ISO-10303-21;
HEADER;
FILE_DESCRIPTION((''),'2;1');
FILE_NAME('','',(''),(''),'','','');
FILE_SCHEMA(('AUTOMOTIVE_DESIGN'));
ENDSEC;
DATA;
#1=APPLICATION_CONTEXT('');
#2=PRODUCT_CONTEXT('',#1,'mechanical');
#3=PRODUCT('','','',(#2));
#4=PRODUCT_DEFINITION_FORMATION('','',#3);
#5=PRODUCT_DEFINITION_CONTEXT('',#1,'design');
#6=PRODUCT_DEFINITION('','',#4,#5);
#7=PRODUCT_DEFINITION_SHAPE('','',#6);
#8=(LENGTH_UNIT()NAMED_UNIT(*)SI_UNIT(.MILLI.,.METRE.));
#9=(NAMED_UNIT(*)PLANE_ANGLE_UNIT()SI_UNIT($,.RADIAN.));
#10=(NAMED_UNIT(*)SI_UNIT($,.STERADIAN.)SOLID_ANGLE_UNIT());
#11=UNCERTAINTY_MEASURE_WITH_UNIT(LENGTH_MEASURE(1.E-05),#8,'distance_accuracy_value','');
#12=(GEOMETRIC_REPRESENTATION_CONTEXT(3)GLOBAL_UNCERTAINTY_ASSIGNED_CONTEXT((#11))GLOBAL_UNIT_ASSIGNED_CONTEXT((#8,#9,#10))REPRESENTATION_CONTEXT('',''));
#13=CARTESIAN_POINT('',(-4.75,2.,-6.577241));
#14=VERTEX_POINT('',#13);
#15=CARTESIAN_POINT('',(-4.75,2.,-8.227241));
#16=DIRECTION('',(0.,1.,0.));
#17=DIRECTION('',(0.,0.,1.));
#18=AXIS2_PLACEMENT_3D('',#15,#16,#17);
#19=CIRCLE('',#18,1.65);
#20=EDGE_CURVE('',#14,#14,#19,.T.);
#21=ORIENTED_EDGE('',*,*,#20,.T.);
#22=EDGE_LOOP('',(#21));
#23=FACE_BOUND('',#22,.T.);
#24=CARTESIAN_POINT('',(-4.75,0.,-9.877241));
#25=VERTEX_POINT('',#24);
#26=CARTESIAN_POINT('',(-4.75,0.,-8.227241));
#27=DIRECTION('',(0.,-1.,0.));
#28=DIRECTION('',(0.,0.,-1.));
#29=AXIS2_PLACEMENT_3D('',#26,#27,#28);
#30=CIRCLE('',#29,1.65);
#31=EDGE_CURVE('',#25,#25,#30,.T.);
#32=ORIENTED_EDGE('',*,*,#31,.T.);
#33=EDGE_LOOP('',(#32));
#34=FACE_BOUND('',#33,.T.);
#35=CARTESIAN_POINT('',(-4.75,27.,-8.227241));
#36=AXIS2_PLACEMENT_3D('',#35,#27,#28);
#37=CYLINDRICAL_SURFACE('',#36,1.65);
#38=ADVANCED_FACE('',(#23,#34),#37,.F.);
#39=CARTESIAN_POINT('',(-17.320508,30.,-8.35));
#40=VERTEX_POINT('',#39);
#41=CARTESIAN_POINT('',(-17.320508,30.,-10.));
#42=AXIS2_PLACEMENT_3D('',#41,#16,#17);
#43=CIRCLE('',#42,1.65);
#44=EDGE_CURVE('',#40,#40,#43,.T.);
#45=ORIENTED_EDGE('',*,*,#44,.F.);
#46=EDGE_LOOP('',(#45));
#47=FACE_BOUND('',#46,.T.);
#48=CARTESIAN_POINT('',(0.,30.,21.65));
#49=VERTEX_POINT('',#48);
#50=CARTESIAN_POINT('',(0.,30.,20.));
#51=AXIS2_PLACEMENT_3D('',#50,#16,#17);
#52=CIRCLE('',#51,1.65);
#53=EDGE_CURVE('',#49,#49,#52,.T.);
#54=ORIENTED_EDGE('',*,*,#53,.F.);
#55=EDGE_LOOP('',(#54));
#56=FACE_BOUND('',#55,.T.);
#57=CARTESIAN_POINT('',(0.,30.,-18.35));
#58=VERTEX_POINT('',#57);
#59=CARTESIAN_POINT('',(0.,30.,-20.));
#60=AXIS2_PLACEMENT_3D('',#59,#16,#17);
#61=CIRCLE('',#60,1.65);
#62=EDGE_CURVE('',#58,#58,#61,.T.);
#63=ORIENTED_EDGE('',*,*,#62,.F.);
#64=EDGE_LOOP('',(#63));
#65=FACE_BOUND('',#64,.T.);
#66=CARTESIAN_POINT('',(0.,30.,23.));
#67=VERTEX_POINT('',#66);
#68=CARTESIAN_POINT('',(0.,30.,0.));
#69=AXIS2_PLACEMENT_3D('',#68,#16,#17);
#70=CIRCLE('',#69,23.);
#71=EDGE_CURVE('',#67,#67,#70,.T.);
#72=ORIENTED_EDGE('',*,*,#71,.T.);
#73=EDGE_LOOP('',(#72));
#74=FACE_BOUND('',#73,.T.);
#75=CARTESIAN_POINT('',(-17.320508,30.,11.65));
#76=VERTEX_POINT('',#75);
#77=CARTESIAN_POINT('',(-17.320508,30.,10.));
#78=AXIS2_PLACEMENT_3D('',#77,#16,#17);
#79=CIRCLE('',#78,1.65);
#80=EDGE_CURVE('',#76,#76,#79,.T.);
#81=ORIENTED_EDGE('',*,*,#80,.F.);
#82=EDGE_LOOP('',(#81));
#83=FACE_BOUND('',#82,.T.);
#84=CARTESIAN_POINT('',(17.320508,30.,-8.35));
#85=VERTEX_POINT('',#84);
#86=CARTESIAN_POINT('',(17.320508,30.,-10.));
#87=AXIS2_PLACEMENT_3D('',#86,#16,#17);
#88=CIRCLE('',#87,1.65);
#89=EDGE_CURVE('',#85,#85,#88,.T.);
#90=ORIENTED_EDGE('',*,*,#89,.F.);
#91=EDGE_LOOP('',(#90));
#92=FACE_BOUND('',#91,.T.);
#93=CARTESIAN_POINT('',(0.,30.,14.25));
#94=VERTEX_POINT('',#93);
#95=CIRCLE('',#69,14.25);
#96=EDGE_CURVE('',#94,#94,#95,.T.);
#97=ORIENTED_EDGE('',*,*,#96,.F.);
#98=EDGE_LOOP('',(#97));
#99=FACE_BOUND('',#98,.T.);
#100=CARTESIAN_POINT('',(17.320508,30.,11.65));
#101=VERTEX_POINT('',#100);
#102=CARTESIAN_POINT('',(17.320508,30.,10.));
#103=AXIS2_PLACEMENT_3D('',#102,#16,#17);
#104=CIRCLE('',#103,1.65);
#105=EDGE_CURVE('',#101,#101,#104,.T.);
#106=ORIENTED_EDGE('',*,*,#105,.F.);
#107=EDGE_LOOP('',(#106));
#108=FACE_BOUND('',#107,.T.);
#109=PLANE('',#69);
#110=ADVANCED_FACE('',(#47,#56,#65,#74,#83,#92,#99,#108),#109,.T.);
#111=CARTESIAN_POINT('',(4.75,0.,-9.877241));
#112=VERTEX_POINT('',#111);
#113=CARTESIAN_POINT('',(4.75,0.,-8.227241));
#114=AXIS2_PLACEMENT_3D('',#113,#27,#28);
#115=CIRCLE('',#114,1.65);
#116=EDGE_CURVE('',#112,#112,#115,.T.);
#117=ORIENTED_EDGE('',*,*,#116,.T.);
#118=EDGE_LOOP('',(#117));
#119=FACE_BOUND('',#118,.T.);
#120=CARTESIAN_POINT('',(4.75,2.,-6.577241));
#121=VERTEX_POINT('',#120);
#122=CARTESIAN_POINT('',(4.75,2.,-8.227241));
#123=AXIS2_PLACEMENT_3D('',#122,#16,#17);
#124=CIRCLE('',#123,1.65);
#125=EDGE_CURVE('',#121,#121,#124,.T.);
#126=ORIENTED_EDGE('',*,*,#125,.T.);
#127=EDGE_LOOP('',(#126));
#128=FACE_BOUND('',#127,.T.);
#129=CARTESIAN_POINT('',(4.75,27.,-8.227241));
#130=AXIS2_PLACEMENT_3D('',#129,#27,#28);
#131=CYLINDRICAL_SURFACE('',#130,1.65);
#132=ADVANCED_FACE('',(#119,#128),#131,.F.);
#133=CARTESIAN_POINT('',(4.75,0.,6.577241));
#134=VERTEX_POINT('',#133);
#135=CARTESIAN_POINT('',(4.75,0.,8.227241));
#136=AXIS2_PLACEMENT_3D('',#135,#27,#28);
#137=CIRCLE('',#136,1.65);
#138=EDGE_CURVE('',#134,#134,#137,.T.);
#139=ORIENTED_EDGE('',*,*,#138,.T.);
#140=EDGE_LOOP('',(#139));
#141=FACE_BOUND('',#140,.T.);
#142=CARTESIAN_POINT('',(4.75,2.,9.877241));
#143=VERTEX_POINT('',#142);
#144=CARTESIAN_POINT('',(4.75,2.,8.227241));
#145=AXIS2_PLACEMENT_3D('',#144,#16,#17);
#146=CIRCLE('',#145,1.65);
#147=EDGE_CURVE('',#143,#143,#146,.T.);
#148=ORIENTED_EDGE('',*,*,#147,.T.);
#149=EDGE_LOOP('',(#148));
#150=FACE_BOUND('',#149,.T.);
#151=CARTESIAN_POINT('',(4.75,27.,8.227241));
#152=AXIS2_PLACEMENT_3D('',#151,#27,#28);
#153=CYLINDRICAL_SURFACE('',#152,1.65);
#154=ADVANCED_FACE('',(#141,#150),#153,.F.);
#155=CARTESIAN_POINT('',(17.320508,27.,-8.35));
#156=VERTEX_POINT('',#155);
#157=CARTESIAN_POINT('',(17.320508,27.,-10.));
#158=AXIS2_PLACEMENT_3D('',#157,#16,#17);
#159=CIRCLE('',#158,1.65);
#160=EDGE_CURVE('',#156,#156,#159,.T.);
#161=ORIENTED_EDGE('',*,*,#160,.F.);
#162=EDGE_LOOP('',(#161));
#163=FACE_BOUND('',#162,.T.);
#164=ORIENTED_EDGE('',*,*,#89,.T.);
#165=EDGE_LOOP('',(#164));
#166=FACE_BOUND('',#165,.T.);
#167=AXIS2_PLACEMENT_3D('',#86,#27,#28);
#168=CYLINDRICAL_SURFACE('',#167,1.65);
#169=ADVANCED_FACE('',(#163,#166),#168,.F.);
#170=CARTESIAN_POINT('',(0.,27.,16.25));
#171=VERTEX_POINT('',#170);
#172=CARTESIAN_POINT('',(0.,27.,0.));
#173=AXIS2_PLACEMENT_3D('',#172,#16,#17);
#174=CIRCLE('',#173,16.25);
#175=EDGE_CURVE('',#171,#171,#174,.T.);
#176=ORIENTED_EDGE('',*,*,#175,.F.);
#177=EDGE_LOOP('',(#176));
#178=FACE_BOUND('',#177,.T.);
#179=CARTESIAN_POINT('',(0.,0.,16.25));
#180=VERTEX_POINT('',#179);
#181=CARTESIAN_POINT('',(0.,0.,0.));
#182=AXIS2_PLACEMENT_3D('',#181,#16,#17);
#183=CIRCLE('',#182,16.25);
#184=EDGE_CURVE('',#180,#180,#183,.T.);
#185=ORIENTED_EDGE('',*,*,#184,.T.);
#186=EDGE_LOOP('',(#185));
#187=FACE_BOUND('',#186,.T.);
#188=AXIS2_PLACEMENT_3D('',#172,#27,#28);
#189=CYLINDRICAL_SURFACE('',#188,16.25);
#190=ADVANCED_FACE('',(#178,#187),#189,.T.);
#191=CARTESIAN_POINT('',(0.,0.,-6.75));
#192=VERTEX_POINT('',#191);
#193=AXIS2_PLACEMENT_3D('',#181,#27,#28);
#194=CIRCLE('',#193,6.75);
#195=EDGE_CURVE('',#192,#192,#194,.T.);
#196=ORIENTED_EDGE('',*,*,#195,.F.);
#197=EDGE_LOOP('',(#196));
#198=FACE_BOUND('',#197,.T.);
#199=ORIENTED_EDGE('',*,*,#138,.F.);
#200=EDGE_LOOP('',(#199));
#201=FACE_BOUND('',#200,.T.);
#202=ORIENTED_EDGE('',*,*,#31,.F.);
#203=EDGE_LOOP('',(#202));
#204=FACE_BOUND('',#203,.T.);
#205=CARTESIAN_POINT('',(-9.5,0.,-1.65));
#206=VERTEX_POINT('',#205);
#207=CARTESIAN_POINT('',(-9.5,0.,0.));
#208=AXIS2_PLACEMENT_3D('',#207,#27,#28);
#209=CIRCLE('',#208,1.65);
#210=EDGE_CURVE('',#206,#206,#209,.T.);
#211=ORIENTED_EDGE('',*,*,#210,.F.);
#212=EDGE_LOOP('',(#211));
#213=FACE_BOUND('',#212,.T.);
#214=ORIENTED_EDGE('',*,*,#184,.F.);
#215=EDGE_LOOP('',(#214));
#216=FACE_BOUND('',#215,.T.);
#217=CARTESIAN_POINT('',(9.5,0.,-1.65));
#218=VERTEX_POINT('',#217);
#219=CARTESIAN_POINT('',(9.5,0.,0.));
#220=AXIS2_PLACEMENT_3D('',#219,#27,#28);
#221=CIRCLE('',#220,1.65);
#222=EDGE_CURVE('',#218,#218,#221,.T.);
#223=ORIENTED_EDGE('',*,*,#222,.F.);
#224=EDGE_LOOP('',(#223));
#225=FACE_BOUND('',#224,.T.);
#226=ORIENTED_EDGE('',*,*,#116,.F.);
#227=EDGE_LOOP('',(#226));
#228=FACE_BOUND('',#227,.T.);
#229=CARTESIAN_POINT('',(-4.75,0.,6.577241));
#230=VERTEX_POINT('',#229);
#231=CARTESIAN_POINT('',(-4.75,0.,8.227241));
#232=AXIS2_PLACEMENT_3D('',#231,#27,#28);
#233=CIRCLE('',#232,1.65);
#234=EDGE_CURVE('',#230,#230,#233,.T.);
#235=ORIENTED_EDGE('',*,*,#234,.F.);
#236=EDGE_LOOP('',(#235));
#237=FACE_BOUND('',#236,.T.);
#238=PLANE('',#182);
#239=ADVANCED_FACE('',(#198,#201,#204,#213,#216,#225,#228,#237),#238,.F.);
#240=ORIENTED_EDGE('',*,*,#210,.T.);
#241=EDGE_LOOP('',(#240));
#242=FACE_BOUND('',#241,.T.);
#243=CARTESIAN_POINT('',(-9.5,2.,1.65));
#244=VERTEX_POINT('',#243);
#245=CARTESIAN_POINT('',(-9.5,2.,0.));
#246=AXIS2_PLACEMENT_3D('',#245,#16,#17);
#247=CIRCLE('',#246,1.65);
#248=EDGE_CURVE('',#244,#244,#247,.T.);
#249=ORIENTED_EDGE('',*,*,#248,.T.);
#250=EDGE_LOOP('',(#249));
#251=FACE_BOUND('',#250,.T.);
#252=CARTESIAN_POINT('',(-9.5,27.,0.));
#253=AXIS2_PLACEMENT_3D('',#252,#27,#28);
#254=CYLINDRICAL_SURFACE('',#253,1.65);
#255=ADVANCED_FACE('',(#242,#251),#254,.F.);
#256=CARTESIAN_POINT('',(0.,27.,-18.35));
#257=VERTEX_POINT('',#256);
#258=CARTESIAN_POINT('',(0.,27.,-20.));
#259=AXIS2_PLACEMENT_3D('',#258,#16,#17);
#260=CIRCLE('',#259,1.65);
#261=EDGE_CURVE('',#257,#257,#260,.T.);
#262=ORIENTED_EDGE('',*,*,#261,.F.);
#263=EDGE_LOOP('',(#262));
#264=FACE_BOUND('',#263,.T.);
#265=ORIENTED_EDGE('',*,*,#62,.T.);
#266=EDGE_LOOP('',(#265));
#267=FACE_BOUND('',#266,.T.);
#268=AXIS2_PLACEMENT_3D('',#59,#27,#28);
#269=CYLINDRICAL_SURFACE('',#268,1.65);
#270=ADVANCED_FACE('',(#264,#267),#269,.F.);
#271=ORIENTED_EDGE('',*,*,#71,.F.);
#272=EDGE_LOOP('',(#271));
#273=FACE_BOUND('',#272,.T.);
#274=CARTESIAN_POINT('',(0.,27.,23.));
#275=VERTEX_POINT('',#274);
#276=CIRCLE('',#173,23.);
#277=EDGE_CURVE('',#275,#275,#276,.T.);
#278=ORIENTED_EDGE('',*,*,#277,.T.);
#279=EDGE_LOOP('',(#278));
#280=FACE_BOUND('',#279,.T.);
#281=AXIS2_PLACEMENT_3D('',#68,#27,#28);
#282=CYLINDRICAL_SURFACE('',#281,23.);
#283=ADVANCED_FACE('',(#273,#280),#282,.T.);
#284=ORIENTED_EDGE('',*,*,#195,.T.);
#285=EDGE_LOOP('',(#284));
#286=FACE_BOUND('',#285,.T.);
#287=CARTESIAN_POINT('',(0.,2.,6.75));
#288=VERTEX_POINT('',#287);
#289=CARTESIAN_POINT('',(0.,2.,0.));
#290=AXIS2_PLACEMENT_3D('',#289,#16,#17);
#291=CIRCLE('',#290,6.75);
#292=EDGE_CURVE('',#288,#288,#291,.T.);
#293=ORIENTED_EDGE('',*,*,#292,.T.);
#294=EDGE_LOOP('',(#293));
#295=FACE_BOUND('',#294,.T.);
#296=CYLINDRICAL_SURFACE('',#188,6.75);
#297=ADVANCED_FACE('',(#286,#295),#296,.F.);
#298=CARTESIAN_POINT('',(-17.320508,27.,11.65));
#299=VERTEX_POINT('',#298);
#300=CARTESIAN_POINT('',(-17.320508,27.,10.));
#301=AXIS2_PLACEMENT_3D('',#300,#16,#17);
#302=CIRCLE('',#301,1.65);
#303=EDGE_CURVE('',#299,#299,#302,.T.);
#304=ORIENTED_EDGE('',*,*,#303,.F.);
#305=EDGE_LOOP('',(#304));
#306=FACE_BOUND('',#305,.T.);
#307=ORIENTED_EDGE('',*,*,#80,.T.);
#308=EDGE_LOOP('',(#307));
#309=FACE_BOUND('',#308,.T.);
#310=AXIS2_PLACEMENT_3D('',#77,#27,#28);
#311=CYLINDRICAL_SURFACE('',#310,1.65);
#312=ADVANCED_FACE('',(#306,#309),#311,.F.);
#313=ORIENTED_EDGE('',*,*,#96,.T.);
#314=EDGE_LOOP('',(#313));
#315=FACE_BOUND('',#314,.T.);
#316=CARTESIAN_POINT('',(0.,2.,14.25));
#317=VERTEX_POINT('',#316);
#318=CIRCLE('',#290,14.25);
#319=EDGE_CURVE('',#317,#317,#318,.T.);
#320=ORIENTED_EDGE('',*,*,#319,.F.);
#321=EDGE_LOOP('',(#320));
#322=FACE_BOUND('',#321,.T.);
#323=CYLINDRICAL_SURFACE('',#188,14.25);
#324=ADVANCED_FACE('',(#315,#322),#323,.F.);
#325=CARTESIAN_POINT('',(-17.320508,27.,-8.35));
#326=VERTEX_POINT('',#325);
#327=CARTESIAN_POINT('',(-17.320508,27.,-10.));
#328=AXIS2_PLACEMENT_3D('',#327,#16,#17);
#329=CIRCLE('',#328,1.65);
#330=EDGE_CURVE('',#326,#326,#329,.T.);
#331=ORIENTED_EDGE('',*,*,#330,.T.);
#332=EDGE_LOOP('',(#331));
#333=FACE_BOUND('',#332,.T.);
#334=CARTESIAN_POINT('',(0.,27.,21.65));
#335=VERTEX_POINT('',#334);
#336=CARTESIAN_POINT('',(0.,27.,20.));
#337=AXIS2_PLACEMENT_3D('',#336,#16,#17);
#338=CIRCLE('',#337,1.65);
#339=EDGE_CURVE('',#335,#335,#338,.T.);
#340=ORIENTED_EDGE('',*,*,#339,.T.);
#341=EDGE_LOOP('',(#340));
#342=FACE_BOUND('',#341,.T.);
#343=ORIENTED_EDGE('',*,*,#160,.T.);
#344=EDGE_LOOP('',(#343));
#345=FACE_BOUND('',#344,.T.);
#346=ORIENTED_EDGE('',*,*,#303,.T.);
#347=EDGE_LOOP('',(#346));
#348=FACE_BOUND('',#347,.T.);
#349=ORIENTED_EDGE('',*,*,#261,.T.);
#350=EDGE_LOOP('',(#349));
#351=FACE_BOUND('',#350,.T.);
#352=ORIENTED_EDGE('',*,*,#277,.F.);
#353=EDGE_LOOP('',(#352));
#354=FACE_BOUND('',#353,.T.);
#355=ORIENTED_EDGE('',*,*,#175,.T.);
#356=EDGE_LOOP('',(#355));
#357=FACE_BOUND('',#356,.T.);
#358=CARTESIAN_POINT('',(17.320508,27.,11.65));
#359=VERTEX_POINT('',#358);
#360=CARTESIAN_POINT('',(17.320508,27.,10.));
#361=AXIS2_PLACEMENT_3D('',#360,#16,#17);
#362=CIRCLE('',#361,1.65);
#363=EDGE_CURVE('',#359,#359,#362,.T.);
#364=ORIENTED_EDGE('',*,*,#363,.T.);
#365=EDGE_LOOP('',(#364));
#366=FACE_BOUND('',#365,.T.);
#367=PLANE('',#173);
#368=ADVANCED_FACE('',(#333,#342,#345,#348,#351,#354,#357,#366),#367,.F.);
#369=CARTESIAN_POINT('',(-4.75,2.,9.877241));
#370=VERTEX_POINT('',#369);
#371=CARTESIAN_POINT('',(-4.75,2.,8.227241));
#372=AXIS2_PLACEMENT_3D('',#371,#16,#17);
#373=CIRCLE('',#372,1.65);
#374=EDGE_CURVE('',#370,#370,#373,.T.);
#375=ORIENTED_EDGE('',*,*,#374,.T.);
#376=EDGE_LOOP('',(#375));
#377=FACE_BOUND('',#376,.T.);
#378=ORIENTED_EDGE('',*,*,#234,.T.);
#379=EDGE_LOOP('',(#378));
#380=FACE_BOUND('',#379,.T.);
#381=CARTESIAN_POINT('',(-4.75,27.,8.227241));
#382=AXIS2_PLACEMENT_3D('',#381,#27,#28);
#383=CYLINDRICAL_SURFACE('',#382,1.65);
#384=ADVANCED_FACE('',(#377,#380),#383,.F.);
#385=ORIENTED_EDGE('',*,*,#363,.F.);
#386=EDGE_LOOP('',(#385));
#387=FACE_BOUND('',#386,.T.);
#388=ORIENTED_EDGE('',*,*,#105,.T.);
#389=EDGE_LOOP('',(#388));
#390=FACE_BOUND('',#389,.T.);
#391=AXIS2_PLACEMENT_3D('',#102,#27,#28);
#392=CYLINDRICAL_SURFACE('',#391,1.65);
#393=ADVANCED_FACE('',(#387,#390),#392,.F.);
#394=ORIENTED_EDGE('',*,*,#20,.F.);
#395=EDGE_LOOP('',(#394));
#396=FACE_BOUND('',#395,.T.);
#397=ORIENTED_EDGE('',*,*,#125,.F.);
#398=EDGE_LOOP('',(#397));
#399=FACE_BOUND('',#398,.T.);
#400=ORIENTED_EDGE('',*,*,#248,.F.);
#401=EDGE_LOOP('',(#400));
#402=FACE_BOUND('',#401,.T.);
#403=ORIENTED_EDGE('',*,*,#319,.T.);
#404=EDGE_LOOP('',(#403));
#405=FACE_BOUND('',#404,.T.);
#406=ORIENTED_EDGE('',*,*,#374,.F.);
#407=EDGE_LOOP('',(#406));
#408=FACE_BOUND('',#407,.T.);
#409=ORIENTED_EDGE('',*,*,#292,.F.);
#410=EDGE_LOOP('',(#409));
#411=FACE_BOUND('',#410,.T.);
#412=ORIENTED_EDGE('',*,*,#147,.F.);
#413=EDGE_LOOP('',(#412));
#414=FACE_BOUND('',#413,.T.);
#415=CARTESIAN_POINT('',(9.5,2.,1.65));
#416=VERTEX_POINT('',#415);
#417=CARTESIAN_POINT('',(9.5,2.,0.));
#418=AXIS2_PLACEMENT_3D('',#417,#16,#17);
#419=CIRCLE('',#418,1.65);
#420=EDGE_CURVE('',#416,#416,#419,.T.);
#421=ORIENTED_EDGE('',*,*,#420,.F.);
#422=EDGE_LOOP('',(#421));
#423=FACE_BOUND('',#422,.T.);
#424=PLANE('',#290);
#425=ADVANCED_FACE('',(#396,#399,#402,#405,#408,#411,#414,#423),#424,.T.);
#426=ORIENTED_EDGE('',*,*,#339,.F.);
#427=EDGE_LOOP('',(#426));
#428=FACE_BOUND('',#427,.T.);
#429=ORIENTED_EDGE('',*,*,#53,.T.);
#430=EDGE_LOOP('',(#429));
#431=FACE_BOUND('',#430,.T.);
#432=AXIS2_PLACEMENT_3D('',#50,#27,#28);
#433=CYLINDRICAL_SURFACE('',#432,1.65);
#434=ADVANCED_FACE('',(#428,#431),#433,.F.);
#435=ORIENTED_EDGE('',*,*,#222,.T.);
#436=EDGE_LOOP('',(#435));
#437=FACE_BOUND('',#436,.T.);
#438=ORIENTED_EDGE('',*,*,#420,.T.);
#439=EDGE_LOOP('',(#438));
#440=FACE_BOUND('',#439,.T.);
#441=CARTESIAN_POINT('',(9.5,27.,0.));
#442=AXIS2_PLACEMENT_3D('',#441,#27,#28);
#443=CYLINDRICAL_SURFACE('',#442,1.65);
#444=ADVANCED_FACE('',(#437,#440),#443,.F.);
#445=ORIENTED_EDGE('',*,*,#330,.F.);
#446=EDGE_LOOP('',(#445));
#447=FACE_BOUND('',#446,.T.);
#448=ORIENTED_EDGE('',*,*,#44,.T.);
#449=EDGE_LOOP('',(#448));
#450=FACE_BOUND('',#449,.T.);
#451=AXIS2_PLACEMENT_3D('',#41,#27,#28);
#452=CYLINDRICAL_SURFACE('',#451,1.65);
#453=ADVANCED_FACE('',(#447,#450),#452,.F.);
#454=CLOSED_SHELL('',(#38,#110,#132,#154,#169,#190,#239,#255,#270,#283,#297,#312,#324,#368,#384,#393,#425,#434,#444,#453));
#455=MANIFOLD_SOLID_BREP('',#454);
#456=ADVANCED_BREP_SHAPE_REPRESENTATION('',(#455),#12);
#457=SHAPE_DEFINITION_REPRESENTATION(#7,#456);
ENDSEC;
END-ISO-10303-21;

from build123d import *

# Parameters (mm, degrees)
SKETCH_1_R          = 16.25
EXTRUDE_1_DEPTH     = 27
SHELL_1_T           = -2
SKETCH_2_R          = 6.75
SKETCH_2_R_2        = 1.65
CUT_EXTRUDE_1_DEPTH = 27
SKETCH_3_R          = 23
SKETCH_3_R_2        = 14.25
SKETCH_3_R_3        = 1.65
EXTRUDE_2_DEPTH     = 3


with BuildPart() as part:
    # 草图1 → 凸台-拉伸1 (new body)
    with BuildSketch(Plane(origin=(0, 0, 0), x_dir=(1, 0, 0), z_dir=(0, 1, 0))):
        with Locations(Location((0, 0, 0), (0, 0, 270))):
            Circle(SKETCH_1_R)
    extrude(amount=EXTRUDE_1_DEPTH)

    # 抽壳1
    shell_1_openings = [part.faces().sort_by_distance(p)[0] for p in [
        (0, 27, 0),
    ]]
    offset(amount=SHELL_1_T, openings=shell_1_openings, kind=Kind.INTERSECTION)

    # 草图2 → 切除-拉伸1 (cut)
    with BuildSketch(Plane.XZ):
        with Locations(Location((0, 0, 0), (0, 0, 270))):
            Circle(SKETCH_2_R)
        with Locations(Location((4.75, 8.227241336, 0), (0, 0, 270))):
            Circle(SKETCH_2_R_2)
        with Locations(Location((9.5, 0, 0), (0, 0, 270))):
            Circle(SKETCH_2_R_2)
        with Locations(Location((4.75, -8.227241336, 0), (0, 0, 270))):
            Circle(SKETCH_2_R_2)
        with Locations(Location((-4.75, -8.227241336, 0), (0, 0, 270))):
            Circle(SKETCH_2_R_2)
        with Locations(Location((-9.5, 0, 0), (0, 0, 270))):
            Circle(SKETCH_2_R_2)
        with Locations(Location((-4.75, 8.227241336, 0), (0, 0, 270))):
            Circle(SKETCH_2_R_2)
    extrude(amount=-CUT_EXTRUDE_1_DEPTH, mode=Mode.SUBTRACT)

    # 草图3 → 凸台-拉伸2 (add)
    with BuildSketch(Plane(origin=(0, 27, 0), x_dir=(1, 0, 0), z_dir=(0, 1, 0))):
        with Locations(Location((0, 0, 0), (0, 0, 270))):
            Circle(SKETCH_3_R)
        with Locations(Location((0, 0, 0), (0, 0, 270))):
            Circle(SKETCH_3_R_2, mode=Mode.SUBTRACT)
        with Locations(Location((0, 20, 0), (0, 0, 270))):
            Circle(SKETCH_3_R_3, mode=Mode.SUBTRACT)
        with Locations(Location((17.320508076, 10, 0), (0, 0, 270))):
            Circle(SKETCH_3_R_3, mode=Mode.SUBTRACT)
        with Locations(Location((17.320508076, -10, 0), (0, 0, 270))):
            Circle(SKETCH_3_R_3, mode=Mode.SUBTRACT)
        with Locations(Location((0, -20, 0), (0, 0, 270))):
            Circle(SKETCH_3_R_3, mode=Mode.SUBTRACT)
        with Locations(Location((-17.320508076, -10, 0), (0, 0, 270))):
            Circle(SKETCH_3_R_3, mode=Mode.SUBTRACT)
        with Locations(Location((-17.320508076, 10, 0), (0, 0, 270))):
            Circle(SKETCH_3_R_3, mode=Mode.SUBTRACT)
    extrude(amount=EXTRUDE_2_DEPTH)


solid = part.part
